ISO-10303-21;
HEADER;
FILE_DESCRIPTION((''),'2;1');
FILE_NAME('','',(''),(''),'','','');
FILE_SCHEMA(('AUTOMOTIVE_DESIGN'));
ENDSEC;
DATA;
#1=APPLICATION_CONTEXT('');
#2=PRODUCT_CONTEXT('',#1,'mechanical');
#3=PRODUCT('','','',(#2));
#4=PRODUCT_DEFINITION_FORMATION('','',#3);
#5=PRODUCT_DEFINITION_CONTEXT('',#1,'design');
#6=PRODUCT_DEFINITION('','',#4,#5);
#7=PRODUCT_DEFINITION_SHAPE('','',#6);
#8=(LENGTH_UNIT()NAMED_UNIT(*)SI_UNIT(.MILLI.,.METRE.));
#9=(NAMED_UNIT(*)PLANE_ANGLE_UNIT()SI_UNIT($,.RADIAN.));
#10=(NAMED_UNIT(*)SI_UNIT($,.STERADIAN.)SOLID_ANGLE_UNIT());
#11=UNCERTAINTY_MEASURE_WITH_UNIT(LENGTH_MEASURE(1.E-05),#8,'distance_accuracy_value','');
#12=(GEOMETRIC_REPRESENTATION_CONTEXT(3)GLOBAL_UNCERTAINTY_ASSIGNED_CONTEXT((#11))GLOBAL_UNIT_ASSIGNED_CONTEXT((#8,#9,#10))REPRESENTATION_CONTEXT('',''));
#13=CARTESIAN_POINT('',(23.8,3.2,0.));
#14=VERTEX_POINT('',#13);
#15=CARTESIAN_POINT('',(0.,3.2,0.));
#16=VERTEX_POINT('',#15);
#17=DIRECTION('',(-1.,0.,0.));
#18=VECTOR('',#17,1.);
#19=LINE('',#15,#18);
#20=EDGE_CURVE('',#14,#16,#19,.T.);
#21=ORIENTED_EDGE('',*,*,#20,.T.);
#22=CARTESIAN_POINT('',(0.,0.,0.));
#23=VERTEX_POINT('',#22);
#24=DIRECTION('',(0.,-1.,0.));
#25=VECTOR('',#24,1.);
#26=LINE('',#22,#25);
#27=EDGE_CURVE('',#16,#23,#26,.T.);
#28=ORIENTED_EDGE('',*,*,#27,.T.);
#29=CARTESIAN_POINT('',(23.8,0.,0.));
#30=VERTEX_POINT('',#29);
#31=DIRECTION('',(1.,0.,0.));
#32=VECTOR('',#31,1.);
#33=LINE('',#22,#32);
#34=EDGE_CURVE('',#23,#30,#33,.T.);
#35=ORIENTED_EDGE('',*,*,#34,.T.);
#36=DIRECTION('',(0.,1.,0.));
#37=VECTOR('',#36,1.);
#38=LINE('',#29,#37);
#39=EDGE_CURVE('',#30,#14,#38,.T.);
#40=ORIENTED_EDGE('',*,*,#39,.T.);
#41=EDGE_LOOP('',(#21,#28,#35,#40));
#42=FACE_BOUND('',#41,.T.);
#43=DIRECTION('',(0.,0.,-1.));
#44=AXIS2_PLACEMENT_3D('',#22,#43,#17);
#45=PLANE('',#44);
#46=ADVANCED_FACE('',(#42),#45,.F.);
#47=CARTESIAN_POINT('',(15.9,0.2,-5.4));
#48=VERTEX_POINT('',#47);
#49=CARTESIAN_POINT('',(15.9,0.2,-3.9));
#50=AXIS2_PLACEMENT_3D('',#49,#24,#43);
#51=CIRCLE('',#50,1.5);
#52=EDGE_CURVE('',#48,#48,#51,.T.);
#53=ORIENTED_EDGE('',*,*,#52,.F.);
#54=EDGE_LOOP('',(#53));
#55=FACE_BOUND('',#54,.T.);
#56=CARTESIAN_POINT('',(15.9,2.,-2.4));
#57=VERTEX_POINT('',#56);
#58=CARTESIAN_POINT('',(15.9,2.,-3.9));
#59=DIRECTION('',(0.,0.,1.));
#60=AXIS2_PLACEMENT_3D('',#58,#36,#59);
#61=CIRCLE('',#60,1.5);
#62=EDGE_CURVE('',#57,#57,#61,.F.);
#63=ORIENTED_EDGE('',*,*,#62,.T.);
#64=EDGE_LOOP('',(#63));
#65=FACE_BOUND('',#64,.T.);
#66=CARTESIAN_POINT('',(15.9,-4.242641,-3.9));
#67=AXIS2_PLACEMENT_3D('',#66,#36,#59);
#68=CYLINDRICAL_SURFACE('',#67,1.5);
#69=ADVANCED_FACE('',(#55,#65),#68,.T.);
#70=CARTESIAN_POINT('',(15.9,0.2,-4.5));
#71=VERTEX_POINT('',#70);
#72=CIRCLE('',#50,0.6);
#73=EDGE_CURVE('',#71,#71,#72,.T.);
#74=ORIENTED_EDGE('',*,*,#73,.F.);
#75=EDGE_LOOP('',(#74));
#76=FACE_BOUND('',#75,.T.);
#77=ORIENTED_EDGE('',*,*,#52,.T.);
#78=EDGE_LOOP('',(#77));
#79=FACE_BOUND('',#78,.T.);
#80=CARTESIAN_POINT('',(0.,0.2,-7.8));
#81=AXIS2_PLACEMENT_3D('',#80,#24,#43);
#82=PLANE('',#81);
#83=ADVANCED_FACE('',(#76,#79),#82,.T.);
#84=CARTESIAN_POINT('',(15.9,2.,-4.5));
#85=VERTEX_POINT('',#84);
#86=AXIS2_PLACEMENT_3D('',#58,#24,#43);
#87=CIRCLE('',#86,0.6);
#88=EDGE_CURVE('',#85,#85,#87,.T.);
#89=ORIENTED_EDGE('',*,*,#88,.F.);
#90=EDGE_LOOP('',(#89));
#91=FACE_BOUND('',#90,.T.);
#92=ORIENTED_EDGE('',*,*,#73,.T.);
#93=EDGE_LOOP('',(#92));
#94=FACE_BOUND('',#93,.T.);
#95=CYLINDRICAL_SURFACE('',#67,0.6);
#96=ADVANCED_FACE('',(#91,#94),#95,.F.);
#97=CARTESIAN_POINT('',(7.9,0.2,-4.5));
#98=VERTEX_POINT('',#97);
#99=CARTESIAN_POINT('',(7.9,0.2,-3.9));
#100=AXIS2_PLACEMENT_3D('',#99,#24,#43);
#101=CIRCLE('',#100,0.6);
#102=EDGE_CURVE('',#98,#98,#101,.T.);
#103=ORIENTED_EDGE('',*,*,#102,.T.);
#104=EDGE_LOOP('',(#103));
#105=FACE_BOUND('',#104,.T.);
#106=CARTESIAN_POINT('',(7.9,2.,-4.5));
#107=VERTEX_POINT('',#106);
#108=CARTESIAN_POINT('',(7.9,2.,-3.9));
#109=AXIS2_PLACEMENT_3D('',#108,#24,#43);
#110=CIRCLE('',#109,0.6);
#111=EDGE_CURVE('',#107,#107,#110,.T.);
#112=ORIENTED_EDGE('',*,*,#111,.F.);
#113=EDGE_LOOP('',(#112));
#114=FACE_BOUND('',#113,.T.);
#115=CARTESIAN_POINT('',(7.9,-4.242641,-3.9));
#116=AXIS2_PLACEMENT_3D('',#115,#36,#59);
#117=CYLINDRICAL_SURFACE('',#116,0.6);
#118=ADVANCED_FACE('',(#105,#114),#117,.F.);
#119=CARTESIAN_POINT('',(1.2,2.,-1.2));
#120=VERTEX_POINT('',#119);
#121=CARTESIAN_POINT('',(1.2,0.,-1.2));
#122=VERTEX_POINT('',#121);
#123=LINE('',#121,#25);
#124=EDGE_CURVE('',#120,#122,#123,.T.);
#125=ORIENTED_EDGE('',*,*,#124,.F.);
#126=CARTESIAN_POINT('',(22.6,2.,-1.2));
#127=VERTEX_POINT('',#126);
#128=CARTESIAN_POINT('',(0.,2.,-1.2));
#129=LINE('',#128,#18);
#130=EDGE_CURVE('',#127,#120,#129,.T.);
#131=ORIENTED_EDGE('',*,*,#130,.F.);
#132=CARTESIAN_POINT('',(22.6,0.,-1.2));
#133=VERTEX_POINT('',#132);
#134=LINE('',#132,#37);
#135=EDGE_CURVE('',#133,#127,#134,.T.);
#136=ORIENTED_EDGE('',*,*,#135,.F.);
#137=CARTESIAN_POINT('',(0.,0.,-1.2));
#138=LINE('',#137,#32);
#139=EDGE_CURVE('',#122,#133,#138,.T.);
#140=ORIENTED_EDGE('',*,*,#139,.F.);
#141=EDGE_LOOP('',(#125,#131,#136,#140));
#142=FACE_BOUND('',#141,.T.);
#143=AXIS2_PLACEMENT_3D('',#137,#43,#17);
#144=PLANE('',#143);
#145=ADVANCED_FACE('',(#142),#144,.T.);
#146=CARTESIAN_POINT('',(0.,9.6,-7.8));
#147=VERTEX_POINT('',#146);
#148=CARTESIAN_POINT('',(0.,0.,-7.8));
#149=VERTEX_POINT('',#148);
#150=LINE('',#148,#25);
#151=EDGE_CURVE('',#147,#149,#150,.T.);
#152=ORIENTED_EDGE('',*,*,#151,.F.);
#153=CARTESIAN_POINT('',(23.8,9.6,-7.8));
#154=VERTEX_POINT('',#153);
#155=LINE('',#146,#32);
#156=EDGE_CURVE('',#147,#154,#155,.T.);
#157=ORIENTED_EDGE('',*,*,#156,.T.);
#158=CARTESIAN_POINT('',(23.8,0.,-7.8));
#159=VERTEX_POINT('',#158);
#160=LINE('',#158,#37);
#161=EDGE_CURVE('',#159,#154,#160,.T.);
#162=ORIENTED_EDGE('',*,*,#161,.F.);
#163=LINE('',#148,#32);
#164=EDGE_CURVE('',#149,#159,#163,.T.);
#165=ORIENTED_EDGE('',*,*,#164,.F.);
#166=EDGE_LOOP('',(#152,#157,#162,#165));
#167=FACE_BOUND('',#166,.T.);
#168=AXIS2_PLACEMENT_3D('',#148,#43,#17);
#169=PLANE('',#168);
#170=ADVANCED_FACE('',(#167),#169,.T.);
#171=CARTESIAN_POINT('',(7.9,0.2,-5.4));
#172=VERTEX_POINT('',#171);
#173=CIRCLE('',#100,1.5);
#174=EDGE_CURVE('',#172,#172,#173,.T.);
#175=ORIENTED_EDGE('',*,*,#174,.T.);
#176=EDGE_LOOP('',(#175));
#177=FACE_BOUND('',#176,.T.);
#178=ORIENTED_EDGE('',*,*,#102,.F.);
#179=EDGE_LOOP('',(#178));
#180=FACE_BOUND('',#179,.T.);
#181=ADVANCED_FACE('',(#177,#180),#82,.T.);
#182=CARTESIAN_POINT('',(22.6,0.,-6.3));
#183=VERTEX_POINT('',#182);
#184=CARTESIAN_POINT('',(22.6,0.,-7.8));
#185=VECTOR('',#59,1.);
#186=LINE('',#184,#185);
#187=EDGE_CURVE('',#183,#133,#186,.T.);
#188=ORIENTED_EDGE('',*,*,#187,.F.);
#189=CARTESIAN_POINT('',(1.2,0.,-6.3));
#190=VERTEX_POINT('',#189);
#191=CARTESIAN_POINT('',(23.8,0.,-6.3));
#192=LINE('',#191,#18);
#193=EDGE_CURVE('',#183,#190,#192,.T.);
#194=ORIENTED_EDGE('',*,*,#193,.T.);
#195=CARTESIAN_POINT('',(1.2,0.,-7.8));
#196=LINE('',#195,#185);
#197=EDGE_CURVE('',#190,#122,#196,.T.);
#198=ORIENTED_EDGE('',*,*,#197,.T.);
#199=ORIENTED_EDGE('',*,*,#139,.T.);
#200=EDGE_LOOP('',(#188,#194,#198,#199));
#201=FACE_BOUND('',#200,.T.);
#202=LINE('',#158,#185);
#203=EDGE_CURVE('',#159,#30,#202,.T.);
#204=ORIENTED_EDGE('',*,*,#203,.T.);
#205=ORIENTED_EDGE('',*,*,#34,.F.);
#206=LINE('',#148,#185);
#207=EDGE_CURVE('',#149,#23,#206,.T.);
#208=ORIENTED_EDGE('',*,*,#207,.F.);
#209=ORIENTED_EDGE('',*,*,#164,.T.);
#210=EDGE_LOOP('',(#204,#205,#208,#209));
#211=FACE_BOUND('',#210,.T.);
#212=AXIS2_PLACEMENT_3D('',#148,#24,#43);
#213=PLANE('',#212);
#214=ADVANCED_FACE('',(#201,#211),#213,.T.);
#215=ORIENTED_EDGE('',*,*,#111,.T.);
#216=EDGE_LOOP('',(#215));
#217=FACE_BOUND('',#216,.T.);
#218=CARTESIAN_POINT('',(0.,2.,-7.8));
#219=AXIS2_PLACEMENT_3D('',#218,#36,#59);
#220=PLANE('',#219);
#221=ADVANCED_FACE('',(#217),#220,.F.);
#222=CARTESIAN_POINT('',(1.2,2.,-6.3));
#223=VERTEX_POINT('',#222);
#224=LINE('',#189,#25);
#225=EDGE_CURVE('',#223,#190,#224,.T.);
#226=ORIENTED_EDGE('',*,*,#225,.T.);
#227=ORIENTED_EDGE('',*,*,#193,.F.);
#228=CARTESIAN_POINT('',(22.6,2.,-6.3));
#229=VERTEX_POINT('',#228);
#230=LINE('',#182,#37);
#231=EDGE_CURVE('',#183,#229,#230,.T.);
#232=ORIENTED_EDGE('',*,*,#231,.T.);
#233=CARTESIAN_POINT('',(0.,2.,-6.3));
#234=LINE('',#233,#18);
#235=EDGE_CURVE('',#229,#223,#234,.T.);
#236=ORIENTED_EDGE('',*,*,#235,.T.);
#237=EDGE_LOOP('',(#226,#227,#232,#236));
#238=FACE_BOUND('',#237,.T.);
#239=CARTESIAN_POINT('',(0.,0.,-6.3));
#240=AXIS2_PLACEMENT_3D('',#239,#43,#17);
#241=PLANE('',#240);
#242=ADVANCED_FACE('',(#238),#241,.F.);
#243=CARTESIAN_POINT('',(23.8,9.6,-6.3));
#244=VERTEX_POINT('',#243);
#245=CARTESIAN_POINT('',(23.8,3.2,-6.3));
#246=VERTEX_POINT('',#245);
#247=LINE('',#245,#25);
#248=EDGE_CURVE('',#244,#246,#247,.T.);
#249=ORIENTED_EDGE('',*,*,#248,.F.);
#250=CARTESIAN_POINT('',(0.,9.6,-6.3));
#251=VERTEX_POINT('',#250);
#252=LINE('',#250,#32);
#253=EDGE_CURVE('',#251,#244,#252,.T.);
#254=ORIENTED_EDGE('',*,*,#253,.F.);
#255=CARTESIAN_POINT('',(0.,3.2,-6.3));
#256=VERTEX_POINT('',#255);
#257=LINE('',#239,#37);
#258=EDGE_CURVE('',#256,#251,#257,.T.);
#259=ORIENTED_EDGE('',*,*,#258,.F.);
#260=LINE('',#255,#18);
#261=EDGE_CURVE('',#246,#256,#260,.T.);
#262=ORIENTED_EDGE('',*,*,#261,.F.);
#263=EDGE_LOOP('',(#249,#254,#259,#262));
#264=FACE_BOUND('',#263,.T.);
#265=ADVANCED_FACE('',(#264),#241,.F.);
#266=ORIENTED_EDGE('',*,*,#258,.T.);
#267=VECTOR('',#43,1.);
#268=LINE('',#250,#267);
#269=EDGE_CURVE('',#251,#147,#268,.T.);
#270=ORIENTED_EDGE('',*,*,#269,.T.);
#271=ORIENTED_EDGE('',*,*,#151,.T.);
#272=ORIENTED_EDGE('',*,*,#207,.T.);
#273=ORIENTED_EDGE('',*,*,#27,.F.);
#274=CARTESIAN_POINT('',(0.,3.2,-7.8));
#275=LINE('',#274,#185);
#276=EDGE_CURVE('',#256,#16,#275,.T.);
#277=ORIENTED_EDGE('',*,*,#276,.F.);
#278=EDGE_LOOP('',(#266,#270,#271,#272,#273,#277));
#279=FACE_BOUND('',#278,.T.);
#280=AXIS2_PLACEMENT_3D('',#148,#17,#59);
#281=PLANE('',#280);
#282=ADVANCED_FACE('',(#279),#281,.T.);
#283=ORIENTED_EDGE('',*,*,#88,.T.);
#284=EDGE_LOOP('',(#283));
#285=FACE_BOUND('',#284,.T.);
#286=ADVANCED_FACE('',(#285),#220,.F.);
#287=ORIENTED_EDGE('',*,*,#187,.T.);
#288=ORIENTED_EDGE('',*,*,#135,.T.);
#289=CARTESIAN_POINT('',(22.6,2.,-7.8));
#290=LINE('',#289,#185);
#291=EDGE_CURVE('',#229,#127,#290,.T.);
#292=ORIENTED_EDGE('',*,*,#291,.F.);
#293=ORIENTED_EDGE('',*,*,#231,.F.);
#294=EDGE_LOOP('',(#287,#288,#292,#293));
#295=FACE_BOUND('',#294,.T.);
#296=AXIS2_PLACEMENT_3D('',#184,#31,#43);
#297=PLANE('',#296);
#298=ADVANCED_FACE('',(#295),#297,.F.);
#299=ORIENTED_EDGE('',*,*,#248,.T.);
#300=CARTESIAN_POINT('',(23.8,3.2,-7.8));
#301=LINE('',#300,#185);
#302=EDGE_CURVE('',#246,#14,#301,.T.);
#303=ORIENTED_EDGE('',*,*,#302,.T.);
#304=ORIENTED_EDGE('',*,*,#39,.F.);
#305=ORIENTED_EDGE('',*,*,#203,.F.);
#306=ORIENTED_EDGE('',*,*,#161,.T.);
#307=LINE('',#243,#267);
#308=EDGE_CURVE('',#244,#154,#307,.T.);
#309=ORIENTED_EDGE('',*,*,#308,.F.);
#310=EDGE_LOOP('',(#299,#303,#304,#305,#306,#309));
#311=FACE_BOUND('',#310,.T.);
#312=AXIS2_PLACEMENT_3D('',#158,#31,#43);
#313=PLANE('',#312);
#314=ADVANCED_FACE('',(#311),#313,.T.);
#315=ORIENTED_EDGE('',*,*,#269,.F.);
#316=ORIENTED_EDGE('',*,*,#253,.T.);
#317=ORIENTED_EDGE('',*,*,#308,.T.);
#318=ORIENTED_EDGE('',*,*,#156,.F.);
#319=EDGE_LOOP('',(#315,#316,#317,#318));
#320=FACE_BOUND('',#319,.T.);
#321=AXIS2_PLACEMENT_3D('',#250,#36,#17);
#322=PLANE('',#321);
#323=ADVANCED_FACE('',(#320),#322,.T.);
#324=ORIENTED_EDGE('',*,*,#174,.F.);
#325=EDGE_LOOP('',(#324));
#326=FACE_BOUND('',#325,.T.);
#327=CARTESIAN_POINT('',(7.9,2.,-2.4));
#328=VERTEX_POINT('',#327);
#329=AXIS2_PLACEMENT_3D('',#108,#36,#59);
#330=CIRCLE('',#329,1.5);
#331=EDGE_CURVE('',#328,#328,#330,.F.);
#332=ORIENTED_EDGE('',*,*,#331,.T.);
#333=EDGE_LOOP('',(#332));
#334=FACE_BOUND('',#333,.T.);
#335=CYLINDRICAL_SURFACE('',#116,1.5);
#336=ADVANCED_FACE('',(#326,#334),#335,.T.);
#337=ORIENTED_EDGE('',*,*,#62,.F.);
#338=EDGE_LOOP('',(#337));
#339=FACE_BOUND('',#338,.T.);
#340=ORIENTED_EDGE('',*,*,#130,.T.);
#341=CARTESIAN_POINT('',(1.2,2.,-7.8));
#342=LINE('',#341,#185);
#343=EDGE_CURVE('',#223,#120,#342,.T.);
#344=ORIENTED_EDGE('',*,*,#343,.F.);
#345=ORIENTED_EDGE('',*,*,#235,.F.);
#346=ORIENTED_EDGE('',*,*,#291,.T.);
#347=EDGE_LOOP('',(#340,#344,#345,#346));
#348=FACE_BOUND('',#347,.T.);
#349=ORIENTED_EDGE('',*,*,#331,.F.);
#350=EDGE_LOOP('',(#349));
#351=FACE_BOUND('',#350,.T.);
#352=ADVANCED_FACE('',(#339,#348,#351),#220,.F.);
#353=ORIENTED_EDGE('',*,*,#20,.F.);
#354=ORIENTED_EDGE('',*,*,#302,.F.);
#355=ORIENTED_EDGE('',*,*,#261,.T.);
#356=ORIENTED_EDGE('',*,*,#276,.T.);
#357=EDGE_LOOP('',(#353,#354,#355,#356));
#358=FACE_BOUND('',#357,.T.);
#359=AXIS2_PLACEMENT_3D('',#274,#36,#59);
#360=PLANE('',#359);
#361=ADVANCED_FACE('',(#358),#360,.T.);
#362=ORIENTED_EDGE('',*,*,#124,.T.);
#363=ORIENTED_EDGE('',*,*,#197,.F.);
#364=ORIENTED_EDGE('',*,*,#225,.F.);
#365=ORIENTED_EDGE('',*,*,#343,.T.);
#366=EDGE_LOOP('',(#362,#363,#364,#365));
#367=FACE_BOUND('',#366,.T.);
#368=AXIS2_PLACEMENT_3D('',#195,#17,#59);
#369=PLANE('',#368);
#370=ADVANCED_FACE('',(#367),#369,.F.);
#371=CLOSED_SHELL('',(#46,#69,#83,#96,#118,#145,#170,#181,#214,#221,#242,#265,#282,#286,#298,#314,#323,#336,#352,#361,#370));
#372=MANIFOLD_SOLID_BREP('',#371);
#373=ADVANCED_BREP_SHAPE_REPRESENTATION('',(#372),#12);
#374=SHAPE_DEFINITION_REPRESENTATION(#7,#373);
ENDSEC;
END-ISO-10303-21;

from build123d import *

# Parameters (mm, degrees)
SKETCH1_W           = 23.8
SKETCH1_H           = 3.2
BOSS_EXTRUDE1_DEPTH = 7.8
SHELL1_T            = -1.2
SKETCH3_R           = 1.5
SKETCH3_R_2         = 0.6
BOSS_EXTRUDE3_DEPTH = 1.8
LPATTERN1_COUNT     = 2
LPATTERN1_PITCH     = 8
BOSS_EXTRUDE4_DEPTH = 1.5


with BuildPart() as part:
    # Sketch1 → Boss-Extrude1 (new body)
    with BuildSketch(Plane.XY):
        with Locations((11.9, 1.6)):
            Rectangle(SKETCH1_W, SKETCH1_H)
    extrude(amount=-BOSS_EXTRUDE1_DEPTH)

    # Shell1
    shell1_openings = [part.faces().sort_by_distance(p)[0] for p in [
        (11.9, 0, -3.9),
    ]]
    offset(amount=SHELL1_T, openings=shell1_openings, kind=Kind.INTERSECTION)

    # Sketch3 → Boss-Extrude3 (add)
    with BuildSketch(Plane.XZ.offset(-2)):
        with Locations(Location((15.9, -3.9, 0), (0, 0, 90))):
            Circle(SKETCH3_R)
        with Locations(Location((15.9, -3.9, 0), (0, 0, 270))):
            Circle(SKETCH3_R_2, mode=Mode.SUBTRACT)
    boss_extrude3 = extrude(amount=BOSS_EXTRUDE3_DEPTH)

    # LPattern1: Boss-Extrude3 ×2
    with Locations(*[(-i * LPATTERN1_PITCH, 0, 0) for i in range(1, LPATTERN1_COUNT)]):
        add(boss_extrude3)

    # Sketch4 → Boss-Extrude4 (add)
    with BuildSketch(Plane(origin=(0, 0, -7.8), x_dir=(-1, 0, 0), z_dir=(0, 0, -1))):
        Polygon((-23.8, 3.2), (-23.8, 9.6), (0, 9.6), (0, 3.2), (0, 0), (-23.8, 0), align=None)
    extrude(amount=-BOSS_EXTRUDE4_DEPTH)


solid = part.part
